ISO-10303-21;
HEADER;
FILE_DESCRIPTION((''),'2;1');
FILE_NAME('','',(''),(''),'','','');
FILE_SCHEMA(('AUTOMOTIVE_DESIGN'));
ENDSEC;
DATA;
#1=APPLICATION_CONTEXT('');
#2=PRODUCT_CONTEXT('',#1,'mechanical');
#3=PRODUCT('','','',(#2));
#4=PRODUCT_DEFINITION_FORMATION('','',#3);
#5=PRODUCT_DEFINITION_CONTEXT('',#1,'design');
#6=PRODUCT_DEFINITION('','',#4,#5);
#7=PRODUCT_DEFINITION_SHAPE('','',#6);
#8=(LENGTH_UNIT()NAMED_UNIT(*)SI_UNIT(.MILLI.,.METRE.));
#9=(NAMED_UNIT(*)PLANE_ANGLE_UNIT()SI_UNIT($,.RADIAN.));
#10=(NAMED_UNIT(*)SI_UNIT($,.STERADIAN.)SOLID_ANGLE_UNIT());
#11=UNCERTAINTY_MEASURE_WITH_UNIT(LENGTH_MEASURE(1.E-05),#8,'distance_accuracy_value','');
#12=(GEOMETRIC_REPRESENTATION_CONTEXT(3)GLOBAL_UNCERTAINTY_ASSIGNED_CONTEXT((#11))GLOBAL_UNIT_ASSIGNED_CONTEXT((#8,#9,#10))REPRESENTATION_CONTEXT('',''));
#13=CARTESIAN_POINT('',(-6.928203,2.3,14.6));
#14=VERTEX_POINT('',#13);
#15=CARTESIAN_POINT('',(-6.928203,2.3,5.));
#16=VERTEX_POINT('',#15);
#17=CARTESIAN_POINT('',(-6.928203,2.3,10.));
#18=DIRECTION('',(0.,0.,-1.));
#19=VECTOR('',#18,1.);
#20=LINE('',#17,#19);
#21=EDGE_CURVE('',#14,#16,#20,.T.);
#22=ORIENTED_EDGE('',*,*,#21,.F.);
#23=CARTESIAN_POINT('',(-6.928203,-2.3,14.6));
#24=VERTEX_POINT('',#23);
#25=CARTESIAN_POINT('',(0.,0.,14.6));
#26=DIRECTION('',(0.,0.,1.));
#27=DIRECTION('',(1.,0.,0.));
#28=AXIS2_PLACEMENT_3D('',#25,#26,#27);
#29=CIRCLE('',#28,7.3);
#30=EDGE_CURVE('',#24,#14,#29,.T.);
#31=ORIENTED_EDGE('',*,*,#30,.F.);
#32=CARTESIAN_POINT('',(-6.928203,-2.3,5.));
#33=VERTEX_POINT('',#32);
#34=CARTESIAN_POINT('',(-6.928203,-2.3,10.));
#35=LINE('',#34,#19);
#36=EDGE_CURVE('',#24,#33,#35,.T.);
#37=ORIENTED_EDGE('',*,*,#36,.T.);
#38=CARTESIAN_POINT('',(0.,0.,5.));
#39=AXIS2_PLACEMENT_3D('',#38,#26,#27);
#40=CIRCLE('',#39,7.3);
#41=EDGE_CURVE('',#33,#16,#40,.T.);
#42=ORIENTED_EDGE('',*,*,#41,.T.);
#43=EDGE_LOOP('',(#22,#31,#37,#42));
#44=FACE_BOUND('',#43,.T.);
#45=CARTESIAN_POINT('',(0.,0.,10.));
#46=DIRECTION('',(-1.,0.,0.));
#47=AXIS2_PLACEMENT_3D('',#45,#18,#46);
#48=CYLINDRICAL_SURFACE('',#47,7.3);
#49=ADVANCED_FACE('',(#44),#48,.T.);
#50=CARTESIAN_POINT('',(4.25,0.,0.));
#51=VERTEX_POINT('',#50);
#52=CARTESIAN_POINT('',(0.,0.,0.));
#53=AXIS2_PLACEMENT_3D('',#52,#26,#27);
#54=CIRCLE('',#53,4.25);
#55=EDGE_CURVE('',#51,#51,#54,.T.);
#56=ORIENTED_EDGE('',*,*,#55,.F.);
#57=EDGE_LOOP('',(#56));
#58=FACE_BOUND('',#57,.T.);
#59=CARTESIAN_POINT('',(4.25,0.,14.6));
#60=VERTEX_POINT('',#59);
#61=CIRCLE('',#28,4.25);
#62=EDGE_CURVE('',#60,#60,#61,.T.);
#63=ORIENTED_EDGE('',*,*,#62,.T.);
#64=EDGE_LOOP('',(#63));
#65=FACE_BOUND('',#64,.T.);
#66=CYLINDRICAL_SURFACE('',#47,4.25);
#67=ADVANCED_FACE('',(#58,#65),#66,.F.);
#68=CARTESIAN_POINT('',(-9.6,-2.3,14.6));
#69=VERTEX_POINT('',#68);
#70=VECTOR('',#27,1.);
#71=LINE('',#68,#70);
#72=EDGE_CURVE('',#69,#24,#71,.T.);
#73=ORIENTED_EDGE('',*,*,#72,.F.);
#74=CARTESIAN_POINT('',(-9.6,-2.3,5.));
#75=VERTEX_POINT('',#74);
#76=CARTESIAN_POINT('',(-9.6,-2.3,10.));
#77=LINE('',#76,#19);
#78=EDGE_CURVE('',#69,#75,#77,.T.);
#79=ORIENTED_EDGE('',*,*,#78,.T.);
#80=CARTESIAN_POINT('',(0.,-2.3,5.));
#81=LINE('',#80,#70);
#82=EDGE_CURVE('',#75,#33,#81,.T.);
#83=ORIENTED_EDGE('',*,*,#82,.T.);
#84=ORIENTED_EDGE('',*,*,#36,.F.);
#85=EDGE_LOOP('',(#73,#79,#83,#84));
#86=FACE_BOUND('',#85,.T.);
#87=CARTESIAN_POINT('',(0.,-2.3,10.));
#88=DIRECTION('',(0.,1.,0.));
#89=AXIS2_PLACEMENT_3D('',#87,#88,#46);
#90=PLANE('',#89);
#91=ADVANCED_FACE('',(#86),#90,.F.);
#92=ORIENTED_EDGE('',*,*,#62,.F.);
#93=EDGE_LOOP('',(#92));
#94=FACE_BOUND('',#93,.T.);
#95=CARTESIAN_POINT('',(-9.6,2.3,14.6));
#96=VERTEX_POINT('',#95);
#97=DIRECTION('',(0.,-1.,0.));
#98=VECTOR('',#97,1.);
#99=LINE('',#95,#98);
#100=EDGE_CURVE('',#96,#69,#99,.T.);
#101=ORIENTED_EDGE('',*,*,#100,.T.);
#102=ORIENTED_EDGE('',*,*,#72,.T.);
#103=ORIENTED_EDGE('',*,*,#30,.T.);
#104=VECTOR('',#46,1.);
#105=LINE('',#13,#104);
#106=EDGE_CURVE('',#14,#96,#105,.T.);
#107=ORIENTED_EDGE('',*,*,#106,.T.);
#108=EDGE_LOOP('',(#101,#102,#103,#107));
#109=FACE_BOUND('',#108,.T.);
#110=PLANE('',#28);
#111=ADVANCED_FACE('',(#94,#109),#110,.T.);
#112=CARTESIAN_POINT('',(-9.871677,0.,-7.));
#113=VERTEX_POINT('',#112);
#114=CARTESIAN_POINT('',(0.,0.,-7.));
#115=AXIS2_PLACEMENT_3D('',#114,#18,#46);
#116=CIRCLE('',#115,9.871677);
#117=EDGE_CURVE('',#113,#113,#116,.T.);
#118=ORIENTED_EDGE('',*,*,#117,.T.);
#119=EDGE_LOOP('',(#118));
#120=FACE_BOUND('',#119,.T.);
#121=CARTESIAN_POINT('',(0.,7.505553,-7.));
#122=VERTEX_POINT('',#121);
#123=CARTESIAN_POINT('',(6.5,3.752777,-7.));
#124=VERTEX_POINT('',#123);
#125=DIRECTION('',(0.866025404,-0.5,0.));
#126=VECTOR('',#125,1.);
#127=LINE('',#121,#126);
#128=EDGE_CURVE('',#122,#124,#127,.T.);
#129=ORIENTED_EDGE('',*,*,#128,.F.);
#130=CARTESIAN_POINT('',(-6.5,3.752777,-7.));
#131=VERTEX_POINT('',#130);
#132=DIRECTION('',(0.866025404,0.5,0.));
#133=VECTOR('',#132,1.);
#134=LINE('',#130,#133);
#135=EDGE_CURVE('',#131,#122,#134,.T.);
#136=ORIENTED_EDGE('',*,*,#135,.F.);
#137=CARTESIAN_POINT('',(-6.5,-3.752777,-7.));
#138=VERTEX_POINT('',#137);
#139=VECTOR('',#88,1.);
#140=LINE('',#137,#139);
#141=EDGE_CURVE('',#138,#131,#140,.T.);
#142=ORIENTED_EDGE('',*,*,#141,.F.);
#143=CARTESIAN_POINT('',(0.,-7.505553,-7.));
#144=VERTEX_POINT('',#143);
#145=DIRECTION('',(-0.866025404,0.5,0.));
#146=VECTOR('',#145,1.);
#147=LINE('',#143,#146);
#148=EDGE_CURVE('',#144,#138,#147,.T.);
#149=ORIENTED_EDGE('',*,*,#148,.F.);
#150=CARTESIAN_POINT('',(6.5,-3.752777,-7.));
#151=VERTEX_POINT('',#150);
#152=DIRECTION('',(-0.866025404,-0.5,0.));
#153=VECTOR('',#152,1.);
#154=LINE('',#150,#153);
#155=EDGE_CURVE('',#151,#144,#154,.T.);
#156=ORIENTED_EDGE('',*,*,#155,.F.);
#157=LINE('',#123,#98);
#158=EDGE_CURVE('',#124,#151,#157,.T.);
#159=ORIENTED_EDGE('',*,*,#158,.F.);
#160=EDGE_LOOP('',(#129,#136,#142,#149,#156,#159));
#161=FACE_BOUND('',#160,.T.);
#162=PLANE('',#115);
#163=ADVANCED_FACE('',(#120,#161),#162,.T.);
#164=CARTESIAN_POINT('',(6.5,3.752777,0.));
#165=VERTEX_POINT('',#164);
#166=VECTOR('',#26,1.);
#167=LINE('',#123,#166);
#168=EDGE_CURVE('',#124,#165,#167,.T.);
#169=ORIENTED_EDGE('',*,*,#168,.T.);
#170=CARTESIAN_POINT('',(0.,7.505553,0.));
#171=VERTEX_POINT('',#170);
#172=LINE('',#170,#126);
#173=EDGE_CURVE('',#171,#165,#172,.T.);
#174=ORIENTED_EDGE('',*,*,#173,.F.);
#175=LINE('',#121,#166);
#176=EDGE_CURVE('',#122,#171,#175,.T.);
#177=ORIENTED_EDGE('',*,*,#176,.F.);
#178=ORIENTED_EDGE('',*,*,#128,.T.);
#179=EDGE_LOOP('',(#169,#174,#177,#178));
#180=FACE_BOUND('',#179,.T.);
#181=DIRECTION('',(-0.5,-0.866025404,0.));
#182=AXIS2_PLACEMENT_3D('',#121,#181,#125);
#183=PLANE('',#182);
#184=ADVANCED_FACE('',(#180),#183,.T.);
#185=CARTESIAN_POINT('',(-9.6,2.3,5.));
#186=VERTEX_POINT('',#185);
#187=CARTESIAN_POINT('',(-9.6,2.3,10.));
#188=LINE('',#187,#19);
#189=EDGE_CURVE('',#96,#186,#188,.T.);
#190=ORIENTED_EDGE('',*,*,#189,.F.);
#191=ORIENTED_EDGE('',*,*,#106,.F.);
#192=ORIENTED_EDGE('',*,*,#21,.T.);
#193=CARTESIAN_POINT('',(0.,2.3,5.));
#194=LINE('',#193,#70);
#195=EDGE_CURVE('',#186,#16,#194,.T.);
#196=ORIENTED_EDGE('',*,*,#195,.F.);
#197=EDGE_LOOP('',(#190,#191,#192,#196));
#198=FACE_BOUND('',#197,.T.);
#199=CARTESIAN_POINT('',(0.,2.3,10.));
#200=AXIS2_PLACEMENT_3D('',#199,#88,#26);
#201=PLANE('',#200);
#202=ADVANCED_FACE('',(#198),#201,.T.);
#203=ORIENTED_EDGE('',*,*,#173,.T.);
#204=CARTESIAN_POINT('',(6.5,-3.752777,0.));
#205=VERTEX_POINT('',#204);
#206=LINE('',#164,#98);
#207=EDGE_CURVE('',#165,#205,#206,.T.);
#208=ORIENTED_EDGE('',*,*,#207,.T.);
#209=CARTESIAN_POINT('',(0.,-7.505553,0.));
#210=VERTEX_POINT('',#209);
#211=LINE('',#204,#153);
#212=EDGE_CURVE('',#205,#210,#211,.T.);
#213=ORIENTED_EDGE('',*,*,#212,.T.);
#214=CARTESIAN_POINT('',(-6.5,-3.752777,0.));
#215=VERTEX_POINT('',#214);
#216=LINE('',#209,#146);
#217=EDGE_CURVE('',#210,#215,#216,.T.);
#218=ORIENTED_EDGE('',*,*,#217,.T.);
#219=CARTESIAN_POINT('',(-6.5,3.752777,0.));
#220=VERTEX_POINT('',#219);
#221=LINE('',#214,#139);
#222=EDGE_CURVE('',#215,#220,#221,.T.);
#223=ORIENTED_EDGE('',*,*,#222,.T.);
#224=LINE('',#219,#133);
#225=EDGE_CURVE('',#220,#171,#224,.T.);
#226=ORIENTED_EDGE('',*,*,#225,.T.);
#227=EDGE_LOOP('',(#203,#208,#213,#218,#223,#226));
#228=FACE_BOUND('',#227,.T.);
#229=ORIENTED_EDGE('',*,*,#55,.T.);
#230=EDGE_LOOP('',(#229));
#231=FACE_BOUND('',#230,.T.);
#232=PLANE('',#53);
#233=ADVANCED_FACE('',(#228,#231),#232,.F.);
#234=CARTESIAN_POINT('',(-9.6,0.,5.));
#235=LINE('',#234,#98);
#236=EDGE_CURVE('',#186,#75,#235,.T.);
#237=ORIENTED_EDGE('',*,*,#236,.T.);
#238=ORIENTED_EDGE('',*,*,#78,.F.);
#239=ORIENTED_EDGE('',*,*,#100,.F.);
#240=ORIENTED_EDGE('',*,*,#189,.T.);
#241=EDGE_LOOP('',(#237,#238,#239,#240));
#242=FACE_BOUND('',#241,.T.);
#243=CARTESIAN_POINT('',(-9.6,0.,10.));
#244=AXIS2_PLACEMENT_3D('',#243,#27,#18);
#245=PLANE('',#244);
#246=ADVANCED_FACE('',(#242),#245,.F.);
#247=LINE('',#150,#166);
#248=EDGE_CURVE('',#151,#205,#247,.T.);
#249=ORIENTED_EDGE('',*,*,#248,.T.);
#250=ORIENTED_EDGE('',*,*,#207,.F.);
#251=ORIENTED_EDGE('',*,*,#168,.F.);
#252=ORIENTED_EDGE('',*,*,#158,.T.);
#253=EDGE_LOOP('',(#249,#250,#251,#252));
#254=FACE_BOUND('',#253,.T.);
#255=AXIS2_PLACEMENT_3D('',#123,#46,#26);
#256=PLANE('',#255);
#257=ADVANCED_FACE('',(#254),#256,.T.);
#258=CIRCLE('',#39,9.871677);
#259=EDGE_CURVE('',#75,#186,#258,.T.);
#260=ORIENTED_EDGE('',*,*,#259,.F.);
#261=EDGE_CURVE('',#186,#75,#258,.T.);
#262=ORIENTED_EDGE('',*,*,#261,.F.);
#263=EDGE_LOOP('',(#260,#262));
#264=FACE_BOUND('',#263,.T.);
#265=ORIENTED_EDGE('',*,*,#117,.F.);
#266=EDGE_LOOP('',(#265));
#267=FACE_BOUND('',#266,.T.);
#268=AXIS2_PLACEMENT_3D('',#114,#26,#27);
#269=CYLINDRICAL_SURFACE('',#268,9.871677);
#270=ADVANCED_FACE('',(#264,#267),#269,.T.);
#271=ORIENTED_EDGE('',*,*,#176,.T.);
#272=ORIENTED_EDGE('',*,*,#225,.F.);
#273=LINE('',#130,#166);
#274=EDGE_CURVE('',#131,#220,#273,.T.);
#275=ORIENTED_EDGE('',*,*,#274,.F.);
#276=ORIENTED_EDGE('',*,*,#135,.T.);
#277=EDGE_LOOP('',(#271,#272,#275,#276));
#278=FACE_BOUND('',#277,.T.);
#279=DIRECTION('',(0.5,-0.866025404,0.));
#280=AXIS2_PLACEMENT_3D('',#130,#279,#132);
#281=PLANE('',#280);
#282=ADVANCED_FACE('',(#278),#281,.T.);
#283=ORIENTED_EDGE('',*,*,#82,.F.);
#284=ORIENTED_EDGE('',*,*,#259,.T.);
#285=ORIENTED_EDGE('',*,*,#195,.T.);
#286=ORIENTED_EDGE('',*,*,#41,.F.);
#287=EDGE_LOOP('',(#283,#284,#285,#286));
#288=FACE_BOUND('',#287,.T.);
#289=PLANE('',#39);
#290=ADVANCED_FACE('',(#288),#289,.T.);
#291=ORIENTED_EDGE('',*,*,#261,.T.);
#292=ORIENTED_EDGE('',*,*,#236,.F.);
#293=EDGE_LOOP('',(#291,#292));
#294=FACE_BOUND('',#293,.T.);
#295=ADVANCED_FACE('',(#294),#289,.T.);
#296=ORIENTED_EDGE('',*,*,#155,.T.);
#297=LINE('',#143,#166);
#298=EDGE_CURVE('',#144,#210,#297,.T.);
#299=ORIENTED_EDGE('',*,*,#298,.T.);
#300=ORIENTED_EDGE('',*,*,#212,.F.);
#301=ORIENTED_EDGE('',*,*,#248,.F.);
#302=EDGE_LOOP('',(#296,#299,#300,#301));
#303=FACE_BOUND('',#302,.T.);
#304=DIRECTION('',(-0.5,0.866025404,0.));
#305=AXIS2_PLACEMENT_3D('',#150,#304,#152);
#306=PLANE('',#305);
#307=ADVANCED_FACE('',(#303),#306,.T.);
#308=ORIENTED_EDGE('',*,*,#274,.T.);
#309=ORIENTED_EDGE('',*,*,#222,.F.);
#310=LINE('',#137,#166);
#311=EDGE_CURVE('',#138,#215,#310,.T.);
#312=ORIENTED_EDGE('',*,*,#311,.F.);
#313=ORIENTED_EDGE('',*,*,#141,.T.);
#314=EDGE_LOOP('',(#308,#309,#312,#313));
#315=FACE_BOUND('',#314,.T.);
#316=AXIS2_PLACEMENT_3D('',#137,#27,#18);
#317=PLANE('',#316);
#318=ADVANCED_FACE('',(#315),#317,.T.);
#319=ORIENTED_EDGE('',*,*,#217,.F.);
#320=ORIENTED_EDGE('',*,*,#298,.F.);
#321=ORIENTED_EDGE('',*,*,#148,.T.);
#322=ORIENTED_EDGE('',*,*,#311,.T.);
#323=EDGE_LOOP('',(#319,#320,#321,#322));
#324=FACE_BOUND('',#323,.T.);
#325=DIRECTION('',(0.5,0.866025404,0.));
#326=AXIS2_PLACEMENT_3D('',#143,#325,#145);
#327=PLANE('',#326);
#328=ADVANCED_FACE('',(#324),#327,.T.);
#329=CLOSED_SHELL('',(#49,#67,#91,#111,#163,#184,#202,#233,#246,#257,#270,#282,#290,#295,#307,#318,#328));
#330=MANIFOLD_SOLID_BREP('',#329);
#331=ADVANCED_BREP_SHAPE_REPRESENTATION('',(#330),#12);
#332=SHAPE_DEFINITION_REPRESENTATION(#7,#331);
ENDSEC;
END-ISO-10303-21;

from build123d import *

# Parameters (mm, degrees)
SKETCH1_R           = 4.25
BOSS_EXTRUDE1_DEPTH = 10
SKETCH2_R           = 9.871676656
BOSS_EXTRUDE2_DEPTH = 7
SKETCH3_R           = 9.871676656
SKETCH3_R_2         = 7.3
BOSS_EXTRUDE3_DEPTH = 5
SKETCH4_R           = 4.25
BOSS_EXTRUDE4_DEPTH = 5
CUT_EXTRUDE2_START  = -0.4
CUT_EXTRUDE2_DEPTH  = 0.4


with BuildPart() as part:
    # Sketch1 → Boss-Extrude1 (new body)
    with BuildSketch(Plane.XY):
        with BuildLine():
            Line((-9.6, -2.3), (-6.92820323, -2.3))
            ThreePointArc((-6.92820323, -2.3), (7.3, 0), (-6.92820323, 2.3))
            Line((-6.92820323, 2.3), (-9.6, 2.3))
            Line((-9.6, 2.3), (-9.6, -2.3))
        make_face()
        Circle(SKETCH1_R, mode=Mode.SUBTRACT)
    extrude(amount=BOSS_EXTRUDE1_DEPTH)

    # Sketch2 → Boss-Extrude2 (add)
    with BuildSketch(Plane(origin=(0, 0, 0), x_dir=(-1, 0, 0), z_dir=(0, 0, -1))):
        Circle(SKETCH2_R)
        Polygon((0, -7.505553499), (6.5, -3.75277675), (6.5, 3.75277675), (0, 7.505553499), (-6.5, 3.75277675), (-6.5, -3.75277675), align=None, mode=Mode.SUBTRACT)
    extrude(amount=BOSS_EXTRUDE2_DEPTH)

    # Sketch3 → Boss-Extrude3 (add)
    with BuildSketch(Plane.XY):
        Circle(SKETCH3_R)
        Circle(SKETCH3_R_2, mode=Mode.SUBTRACT)
    extrude(amount=BOSS_EXTRUDE3_DEPTH)

    # Sketch4 → Boss-Extrude4 (add)
    with BuildSketch(Plane.XY.offset(10)):
        with BuildLine():
            Line((-9.6, -2.3), (-6.92820323, -2.3))
            ThreePointArc((-6.92820323, -2.3), (7.3, 0), (-6.92820323, 2.3))
            Line((-6.92820323, 2.3), (-9.6, 2.3))
            Line((-9.6, 2.3), (-9.6, -2.3))
        make_face()
        Circle(SKETCH4_R, mode=Mode.SUBTRACT)
    extrude(amount=BOSS_EXTRUDE4_DEPTH)

    # Sketch6 → Cut-Extrude2 (cut)
    with BuildSketch(Plane.XY.offset(15).offset(CUT_EXTRUDE2_START)):
        with BuildLine():
            Line((-9.6, 2.3), (-9.6, -2.3))
            Line((-9.6, -2.3), (-6.92820323, -2.3))
            ThreePointArc((-6.92820323, -2.3), (7.3, 0), (-6.92820323, 2.3))
            Line((-6.92820323, 2.3), (-9.6, 2.3))
        make_face()
    extrude(amount=CUT_EXTRUDE2_DEPTH, mode=Mode.SUBTRACT)


solid = part.part
